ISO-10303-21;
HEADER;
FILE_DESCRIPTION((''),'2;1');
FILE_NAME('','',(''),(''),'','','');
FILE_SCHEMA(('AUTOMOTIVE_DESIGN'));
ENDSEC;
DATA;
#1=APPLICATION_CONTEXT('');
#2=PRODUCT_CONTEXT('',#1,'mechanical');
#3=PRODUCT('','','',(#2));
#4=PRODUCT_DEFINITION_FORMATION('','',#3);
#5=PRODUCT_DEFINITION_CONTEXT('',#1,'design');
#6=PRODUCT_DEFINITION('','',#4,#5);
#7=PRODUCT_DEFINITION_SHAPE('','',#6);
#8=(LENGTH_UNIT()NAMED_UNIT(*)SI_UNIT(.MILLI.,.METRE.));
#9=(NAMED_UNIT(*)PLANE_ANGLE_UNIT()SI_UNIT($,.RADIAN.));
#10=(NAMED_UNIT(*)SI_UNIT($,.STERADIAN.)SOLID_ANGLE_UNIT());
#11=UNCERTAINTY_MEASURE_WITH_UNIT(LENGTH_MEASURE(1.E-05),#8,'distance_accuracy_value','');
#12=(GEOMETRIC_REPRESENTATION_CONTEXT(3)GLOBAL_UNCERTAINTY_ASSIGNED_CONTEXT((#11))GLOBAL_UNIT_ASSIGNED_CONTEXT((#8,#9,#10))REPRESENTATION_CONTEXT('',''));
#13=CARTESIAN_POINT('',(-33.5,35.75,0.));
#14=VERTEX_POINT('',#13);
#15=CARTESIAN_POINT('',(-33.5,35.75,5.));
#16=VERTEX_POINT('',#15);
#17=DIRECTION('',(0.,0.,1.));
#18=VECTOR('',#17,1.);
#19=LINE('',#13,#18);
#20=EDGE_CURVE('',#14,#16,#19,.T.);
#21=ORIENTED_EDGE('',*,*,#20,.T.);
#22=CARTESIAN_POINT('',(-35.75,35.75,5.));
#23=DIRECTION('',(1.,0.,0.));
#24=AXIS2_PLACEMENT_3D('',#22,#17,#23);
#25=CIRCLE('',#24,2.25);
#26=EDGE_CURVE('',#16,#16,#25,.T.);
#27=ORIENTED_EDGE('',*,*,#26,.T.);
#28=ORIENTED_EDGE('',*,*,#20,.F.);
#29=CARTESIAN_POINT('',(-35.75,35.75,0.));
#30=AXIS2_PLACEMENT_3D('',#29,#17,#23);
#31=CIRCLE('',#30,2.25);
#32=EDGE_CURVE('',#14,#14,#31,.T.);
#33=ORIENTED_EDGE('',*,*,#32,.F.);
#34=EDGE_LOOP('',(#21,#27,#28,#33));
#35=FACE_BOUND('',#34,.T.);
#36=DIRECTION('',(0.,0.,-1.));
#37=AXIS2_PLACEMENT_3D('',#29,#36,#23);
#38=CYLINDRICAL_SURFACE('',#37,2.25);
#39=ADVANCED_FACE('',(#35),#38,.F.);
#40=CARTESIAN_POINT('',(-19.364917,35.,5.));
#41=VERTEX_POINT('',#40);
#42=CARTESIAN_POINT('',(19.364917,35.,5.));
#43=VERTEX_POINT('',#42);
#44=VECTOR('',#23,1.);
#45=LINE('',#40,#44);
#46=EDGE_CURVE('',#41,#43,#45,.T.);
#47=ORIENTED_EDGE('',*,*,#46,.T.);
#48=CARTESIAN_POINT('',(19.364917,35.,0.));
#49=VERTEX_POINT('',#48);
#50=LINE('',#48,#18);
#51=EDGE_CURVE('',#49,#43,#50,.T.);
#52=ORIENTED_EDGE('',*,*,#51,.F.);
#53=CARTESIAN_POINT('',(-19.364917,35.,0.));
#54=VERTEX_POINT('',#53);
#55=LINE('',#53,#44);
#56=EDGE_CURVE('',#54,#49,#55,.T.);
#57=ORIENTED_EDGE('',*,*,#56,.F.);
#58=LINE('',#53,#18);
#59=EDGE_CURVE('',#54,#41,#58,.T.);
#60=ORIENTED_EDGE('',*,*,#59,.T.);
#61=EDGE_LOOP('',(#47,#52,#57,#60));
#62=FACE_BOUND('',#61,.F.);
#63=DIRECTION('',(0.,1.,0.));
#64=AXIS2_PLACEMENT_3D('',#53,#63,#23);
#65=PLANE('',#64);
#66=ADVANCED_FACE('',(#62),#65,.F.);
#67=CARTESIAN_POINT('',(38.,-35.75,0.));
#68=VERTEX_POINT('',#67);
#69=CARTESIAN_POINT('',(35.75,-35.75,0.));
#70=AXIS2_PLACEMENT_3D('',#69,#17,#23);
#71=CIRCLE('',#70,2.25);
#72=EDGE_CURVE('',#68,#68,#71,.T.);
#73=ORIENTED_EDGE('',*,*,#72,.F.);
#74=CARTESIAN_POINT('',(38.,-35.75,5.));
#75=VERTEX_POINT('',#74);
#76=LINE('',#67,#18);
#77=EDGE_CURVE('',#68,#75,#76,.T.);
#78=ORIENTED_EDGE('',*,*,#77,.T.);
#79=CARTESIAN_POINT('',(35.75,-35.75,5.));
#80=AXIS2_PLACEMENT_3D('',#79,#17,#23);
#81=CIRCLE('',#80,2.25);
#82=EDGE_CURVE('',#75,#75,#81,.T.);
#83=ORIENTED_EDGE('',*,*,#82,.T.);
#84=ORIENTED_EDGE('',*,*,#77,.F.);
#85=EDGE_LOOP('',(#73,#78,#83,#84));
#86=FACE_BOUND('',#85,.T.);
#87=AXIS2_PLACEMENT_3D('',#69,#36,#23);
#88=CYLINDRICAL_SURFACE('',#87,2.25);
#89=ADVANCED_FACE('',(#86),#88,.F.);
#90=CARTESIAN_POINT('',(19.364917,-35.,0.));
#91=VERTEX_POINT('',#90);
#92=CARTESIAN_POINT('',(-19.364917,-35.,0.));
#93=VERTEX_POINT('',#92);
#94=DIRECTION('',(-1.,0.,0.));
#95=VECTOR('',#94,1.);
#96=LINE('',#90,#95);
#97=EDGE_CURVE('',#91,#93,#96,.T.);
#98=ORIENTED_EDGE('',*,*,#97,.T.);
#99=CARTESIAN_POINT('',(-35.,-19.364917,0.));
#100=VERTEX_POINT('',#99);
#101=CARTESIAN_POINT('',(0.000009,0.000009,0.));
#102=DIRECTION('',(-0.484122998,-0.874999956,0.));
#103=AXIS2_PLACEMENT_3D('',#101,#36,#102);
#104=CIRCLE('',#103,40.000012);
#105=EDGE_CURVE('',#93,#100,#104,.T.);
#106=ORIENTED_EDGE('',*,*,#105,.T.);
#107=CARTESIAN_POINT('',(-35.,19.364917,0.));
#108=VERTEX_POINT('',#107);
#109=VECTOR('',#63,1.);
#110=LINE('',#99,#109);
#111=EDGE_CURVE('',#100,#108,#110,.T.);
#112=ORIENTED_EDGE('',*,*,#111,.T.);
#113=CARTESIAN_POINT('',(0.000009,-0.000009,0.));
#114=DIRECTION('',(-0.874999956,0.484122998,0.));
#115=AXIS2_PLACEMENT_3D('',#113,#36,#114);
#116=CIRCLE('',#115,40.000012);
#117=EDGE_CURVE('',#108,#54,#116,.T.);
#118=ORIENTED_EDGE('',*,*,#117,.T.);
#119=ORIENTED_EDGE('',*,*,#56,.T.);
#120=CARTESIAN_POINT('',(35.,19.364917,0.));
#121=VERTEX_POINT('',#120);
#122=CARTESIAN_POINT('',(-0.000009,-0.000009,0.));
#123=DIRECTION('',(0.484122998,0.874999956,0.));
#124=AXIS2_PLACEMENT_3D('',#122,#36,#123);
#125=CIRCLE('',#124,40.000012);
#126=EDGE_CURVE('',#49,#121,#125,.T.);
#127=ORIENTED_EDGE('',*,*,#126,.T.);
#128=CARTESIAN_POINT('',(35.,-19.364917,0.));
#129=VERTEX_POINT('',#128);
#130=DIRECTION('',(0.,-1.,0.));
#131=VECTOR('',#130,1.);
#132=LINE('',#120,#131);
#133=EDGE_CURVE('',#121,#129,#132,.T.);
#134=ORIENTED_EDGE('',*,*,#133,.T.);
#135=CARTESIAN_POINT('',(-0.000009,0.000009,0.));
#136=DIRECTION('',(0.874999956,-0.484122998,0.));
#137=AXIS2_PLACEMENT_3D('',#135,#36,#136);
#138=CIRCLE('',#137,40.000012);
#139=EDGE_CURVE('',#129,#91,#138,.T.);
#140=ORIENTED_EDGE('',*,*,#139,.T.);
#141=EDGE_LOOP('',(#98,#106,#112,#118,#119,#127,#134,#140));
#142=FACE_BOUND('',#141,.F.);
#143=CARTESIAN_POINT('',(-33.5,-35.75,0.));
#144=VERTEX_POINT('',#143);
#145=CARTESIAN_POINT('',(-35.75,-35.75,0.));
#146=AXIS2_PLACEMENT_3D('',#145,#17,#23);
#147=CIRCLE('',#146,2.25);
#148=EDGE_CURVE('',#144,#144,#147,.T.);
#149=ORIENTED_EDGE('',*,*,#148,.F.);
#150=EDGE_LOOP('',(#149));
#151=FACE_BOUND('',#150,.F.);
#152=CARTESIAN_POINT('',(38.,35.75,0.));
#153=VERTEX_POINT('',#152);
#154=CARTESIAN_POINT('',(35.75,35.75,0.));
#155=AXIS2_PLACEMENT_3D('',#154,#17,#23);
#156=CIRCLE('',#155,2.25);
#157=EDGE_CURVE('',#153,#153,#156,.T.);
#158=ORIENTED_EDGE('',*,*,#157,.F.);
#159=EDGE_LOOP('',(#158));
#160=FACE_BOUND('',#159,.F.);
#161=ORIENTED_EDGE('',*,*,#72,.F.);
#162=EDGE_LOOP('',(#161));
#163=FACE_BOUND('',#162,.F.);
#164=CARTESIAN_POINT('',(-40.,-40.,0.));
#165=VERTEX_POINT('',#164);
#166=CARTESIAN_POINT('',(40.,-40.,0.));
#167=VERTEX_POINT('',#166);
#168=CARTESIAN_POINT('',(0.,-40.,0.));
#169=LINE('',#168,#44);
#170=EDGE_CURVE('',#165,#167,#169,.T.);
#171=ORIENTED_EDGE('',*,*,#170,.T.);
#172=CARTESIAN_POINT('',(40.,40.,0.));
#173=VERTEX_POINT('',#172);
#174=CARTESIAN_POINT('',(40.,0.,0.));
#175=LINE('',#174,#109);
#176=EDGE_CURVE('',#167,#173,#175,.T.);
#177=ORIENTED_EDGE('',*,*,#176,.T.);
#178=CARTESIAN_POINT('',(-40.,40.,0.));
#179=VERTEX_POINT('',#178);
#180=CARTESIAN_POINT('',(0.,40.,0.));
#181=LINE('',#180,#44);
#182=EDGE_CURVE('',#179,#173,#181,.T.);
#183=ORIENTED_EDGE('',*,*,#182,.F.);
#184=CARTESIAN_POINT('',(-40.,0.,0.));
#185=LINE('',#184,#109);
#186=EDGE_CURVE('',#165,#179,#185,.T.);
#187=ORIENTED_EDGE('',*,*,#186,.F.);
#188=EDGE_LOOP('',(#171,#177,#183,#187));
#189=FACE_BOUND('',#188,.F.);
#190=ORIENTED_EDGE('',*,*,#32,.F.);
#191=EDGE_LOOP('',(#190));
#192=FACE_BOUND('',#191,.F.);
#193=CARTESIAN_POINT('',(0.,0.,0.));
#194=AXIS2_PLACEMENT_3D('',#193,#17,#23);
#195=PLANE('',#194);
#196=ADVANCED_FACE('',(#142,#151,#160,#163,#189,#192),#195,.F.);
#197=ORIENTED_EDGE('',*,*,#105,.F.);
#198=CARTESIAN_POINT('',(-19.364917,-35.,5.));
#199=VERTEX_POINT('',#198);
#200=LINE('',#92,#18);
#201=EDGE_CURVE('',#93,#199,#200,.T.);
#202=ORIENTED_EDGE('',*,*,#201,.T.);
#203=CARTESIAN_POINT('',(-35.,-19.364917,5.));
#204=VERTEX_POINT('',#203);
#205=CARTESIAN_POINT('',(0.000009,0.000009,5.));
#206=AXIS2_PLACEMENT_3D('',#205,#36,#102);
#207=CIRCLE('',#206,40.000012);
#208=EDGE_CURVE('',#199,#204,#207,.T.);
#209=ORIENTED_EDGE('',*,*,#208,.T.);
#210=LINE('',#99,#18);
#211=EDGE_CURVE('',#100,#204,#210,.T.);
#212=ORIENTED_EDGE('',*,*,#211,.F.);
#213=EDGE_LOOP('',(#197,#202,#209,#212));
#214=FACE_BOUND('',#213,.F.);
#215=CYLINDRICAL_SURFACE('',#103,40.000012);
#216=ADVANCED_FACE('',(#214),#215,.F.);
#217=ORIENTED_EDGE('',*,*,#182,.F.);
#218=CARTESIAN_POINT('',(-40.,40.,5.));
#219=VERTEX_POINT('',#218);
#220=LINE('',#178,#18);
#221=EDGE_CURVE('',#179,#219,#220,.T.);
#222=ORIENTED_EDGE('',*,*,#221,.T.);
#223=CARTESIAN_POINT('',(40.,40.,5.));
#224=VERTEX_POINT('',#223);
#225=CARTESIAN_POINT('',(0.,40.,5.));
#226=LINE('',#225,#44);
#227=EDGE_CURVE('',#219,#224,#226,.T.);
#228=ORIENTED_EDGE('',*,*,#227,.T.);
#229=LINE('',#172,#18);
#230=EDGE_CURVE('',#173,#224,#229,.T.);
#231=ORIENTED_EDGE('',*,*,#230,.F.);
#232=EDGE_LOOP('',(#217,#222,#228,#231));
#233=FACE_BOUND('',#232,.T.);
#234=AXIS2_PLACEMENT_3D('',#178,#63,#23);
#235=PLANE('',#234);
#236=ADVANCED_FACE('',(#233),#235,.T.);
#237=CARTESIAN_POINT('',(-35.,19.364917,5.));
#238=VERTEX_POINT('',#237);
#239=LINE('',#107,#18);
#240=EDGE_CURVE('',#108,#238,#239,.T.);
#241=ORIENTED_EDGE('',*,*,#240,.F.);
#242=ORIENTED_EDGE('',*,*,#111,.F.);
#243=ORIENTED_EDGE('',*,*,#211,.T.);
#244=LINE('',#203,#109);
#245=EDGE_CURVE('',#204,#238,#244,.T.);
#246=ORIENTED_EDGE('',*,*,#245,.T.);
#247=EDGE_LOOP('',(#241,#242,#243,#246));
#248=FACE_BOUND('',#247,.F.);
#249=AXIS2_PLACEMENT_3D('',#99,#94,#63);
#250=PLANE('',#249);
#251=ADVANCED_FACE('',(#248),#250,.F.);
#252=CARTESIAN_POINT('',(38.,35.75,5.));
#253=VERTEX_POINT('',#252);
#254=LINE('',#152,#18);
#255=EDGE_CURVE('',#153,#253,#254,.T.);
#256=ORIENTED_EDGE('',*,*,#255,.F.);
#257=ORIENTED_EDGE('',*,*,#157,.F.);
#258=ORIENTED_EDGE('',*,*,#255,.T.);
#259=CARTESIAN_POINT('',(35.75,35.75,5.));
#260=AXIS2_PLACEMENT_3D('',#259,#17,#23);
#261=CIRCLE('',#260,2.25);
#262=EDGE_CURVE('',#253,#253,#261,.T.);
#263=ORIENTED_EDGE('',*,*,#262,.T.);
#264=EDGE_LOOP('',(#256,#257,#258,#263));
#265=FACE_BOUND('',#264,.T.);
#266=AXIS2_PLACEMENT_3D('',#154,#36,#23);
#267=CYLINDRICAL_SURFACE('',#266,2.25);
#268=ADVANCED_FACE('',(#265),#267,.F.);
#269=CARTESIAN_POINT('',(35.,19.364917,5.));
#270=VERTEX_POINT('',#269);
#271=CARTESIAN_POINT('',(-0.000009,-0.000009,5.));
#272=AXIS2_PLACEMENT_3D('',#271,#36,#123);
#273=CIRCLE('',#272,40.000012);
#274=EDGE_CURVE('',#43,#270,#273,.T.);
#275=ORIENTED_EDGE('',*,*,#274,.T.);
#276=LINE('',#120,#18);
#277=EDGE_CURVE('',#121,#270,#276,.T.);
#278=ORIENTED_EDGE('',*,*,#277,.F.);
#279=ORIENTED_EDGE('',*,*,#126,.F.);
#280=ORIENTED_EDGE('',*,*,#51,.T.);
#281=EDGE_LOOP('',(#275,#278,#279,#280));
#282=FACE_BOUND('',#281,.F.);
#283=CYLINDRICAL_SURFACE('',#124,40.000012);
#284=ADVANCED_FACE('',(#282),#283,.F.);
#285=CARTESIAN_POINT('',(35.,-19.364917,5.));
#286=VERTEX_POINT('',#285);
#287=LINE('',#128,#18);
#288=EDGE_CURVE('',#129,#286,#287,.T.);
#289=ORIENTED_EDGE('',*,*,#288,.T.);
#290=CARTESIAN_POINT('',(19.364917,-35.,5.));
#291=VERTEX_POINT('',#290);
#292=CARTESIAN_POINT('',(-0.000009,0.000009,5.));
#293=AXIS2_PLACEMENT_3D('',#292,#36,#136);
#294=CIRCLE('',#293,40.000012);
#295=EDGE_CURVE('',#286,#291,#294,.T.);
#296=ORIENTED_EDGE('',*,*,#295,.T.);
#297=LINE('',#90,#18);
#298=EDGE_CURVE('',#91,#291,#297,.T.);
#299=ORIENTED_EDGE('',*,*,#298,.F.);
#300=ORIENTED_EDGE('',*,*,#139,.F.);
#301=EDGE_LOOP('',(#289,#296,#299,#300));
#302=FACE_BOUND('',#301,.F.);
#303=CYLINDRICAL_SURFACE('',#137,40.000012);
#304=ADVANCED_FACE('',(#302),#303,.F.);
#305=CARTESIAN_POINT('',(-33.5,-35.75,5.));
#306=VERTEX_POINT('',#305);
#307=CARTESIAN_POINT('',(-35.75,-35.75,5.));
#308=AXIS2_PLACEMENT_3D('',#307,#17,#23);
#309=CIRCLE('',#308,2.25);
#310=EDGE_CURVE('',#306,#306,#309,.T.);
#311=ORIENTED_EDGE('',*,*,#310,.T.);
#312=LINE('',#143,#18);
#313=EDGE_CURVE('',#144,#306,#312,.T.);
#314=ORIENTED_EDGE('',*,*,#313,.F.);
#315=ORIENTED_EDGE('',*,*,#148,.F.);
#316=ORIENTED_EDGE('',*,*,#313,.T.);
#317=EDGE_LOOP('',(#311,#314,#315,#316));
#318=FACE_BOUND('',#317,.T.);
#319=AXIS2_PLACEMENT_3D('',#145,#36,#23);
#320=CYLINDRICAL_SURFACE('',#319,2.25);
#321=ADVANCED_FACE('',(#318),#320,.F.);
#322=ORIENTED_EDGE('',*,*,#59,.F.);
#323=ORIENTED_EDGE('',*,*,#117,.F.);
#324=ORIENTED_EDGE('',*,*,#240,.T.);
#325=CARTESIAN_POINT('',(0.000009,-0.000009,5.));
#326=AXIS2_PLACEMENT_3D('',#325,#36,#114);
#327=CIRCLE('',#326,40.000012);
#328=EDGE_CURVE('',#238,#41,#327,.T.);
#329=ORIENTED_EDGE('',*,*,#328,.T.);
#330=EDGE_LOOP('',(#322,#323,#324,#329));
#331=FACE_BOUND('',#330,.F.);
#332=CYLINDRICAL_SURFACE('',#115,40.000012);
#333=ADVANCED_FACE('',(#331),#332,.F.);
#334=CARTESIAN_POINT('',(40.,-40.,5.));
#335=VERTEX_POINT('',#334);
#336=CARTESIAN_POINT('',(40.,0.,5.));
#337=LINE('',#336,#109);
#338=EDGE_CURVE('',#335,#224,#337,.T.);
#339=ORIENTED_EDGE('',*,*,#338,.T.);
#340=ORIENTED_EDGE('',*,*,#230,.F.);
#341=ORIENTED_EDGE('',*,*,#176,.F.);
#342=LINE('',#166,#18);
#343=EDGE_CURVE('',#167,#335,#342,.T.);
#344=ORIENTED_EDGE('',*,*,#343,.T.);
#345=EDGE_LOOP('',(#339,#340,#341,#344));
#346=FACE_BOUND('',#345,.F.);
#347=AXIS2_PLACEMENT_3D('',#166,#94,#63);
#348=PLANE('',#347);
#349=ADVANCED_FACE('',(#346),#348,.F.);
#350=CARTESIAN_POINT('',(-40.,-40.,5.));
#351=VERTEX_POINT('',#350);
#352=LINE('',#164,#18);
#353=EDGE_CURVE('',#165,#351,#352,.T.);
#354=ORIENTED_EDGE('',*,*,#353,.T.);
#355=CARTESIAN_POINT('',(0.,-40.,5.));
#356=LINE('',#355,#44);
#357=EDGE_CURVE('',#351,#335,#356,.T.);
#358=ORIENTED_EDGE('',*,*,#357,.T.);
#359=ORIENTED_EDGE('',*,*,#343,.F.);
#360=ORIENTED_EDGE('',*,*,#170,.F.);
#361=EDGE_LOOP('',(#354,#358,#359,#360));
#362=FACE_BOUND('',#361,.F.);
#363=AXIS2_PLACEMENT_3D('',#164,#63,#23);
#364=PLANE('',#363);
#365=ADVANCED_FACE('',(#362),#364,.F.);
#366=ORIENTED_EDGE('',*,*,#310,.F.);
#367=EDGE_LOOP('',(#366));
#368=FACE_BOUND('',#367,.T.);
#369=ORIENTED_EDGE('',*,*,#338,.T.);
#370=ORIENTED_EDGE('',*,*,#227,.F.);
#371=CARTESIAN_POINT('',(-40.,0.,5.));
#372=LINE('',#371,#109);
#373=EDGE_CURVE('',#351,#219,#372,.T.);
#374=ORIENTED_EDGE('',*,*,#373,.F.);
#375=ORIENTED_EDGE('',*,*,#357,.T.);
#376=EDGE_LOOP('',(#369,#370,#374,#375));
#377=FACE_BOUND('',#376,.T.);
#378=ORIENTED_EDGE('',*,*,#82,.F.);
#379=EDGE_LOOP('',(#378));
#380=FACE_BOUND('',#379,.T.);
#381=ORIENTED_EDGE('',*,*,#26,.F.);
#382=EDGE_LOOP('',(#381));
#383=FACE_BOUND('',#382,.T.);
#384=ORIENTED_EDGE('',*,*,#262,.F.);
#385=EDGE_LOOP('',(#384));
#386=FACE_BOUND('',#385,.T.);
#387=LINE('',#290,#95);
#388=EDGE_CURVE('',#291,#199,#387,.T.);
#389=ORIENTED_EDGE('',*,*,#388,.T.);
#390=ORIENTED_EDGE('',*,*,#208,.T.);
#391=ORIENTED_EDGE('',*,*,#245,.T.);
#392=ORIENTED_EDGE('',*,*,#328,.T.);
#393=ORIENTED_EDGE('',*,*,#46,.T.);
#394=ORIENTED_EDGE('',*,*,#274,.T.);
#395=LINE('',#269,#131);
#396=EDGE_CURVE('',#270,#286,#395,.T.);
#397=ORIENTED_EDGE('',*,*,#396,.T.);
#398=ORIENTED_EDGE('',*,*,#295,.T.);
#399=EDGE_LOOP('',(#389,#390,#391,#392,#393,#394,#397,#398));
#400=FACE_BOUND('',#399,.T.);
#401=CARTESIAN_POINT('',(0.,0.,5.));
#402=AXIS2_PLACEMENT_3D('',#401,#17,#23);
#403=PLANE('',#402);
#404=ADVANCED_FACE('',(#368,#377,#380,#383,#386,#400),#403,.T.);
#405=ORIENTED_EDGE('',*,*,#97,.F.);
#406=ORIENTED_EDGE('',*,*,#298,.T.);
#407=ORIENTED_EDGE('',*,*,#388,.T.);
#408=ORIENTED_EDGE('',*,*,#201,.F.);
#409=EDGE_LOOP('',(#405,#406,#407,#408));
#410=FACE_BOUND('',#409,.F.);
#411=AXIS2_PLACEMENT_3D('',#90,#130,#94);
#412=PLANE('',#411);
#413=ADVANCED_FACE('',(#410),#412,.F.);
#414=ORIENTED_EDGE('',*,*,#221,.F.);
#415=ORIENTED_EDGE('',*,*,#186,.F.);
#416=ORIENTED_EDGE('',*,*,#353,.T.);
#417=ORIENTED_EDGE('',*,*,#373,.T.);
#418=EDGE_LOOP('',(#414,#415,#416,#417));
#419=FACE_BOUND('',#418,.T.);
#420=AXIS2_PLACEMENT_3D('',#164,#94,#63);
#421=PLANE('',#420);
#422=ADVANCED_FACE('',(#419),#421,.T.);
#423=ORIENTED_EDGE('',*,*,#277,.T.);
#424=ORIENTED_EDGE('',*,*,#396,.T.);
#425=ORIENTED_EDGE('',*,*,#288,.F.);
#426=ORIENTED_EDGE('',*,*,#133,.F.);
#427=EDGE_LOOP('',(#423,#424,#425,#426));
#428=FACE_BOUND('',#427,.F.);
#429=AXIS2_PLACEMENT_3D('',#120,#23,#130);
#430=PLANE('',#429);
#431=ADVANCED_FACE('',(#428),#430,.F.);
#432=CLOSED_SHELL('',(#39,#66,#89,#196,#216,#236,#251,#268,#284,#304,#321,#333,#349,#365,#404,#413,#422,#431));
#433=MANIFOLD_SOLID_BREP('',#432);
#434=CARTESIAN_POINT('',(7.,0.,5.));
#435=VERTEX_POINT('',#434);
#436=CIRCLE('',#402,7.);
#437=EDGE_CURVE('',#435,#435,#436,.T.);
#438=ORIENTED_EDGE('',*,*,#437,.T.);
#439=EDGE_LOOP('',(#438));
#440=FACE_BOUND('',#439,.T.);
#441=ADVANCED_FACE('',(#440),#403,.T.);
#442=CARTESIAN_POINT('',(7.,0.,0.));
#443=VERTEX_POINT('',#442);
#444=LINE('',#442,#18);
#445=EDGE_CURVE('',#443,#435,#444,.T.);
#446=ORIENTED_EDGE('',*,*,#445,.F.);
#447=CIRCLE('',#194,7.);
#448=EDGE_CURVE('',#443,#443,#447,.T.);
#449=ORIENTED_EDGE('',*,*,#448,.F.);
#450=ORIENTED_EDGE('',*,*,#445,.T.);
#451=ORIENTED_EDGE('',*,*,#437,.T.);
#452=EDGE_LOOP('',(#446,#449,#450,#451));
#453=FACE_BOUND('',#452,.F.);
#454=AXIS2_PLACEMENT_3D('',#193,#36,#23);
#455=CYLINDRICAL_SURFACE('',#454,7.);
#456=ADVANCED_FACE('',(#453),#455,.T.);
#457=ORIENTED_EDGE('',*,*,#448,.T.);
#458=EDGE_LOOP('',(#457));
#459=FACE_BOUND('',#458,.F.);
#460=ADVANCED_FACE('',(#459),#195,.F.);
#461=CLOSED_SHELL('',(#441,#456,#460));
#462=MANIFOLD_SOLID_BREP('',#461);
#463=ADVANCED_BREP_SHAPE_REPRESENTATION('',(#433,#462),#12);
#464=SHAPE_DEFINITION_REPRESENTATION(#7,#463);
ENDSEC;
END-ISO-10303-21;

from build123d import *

# Parameters (mm, degrees)
F0_W     = 80
F0_H     = 80
F0_R     = 2.25
F0_R_2   = 7
F1_DEPTH = 5


with BuildPart() as f1:
    # F0 (on Top) → F1 (new body)
    with BuildSketch(Plane.XY):
        Rectangle(F0_W, F0_H)
        with Locations((-35.75, -35.75)):
            Circle(F0_R, mode=Mode.SUBTRACT)
        with Locations((35.75, -35.75)):
            Circle(F0_R, mode=Mode.SUBTRACT)
        with Locations((-35.75, 35.75)):
            Circle(F0_R, mode=Mode.SUBTRACT)
        with BuildLine():
            ThreePointArc((-19.364917, -35), (-28.284271, -28.284271), (-35, -19.364917))
            Line((-35, -19.364917), (-35, 19.364917))
            ThreePointArc((-35, 19.364917), (-28.284271, 28.284271), (-19.364917, 35))
            Line((-19.364917, 35), (19.364917, 35))
            ThreePointArc((19.364917, 35), (28.284271, 28.284271), (35, 19.364917))
            Line((35, 19.364917), (35, -19.364917))
            ThreePointArc((35, -19.364917), (28.284271, -28.284271), (19.364917, -35))
            Line((19.364917, -35), (-19.364917, -35))
        make_face(mode=Mode.SUBTRACT)
        with Locations((35.75, 35.75)):
            Circle(F0_R, mode=Mode.SUBTRACT)
        Circle(F0_R_2)
    extrude(amount=F1_DEPTH)


solid = f1.part
